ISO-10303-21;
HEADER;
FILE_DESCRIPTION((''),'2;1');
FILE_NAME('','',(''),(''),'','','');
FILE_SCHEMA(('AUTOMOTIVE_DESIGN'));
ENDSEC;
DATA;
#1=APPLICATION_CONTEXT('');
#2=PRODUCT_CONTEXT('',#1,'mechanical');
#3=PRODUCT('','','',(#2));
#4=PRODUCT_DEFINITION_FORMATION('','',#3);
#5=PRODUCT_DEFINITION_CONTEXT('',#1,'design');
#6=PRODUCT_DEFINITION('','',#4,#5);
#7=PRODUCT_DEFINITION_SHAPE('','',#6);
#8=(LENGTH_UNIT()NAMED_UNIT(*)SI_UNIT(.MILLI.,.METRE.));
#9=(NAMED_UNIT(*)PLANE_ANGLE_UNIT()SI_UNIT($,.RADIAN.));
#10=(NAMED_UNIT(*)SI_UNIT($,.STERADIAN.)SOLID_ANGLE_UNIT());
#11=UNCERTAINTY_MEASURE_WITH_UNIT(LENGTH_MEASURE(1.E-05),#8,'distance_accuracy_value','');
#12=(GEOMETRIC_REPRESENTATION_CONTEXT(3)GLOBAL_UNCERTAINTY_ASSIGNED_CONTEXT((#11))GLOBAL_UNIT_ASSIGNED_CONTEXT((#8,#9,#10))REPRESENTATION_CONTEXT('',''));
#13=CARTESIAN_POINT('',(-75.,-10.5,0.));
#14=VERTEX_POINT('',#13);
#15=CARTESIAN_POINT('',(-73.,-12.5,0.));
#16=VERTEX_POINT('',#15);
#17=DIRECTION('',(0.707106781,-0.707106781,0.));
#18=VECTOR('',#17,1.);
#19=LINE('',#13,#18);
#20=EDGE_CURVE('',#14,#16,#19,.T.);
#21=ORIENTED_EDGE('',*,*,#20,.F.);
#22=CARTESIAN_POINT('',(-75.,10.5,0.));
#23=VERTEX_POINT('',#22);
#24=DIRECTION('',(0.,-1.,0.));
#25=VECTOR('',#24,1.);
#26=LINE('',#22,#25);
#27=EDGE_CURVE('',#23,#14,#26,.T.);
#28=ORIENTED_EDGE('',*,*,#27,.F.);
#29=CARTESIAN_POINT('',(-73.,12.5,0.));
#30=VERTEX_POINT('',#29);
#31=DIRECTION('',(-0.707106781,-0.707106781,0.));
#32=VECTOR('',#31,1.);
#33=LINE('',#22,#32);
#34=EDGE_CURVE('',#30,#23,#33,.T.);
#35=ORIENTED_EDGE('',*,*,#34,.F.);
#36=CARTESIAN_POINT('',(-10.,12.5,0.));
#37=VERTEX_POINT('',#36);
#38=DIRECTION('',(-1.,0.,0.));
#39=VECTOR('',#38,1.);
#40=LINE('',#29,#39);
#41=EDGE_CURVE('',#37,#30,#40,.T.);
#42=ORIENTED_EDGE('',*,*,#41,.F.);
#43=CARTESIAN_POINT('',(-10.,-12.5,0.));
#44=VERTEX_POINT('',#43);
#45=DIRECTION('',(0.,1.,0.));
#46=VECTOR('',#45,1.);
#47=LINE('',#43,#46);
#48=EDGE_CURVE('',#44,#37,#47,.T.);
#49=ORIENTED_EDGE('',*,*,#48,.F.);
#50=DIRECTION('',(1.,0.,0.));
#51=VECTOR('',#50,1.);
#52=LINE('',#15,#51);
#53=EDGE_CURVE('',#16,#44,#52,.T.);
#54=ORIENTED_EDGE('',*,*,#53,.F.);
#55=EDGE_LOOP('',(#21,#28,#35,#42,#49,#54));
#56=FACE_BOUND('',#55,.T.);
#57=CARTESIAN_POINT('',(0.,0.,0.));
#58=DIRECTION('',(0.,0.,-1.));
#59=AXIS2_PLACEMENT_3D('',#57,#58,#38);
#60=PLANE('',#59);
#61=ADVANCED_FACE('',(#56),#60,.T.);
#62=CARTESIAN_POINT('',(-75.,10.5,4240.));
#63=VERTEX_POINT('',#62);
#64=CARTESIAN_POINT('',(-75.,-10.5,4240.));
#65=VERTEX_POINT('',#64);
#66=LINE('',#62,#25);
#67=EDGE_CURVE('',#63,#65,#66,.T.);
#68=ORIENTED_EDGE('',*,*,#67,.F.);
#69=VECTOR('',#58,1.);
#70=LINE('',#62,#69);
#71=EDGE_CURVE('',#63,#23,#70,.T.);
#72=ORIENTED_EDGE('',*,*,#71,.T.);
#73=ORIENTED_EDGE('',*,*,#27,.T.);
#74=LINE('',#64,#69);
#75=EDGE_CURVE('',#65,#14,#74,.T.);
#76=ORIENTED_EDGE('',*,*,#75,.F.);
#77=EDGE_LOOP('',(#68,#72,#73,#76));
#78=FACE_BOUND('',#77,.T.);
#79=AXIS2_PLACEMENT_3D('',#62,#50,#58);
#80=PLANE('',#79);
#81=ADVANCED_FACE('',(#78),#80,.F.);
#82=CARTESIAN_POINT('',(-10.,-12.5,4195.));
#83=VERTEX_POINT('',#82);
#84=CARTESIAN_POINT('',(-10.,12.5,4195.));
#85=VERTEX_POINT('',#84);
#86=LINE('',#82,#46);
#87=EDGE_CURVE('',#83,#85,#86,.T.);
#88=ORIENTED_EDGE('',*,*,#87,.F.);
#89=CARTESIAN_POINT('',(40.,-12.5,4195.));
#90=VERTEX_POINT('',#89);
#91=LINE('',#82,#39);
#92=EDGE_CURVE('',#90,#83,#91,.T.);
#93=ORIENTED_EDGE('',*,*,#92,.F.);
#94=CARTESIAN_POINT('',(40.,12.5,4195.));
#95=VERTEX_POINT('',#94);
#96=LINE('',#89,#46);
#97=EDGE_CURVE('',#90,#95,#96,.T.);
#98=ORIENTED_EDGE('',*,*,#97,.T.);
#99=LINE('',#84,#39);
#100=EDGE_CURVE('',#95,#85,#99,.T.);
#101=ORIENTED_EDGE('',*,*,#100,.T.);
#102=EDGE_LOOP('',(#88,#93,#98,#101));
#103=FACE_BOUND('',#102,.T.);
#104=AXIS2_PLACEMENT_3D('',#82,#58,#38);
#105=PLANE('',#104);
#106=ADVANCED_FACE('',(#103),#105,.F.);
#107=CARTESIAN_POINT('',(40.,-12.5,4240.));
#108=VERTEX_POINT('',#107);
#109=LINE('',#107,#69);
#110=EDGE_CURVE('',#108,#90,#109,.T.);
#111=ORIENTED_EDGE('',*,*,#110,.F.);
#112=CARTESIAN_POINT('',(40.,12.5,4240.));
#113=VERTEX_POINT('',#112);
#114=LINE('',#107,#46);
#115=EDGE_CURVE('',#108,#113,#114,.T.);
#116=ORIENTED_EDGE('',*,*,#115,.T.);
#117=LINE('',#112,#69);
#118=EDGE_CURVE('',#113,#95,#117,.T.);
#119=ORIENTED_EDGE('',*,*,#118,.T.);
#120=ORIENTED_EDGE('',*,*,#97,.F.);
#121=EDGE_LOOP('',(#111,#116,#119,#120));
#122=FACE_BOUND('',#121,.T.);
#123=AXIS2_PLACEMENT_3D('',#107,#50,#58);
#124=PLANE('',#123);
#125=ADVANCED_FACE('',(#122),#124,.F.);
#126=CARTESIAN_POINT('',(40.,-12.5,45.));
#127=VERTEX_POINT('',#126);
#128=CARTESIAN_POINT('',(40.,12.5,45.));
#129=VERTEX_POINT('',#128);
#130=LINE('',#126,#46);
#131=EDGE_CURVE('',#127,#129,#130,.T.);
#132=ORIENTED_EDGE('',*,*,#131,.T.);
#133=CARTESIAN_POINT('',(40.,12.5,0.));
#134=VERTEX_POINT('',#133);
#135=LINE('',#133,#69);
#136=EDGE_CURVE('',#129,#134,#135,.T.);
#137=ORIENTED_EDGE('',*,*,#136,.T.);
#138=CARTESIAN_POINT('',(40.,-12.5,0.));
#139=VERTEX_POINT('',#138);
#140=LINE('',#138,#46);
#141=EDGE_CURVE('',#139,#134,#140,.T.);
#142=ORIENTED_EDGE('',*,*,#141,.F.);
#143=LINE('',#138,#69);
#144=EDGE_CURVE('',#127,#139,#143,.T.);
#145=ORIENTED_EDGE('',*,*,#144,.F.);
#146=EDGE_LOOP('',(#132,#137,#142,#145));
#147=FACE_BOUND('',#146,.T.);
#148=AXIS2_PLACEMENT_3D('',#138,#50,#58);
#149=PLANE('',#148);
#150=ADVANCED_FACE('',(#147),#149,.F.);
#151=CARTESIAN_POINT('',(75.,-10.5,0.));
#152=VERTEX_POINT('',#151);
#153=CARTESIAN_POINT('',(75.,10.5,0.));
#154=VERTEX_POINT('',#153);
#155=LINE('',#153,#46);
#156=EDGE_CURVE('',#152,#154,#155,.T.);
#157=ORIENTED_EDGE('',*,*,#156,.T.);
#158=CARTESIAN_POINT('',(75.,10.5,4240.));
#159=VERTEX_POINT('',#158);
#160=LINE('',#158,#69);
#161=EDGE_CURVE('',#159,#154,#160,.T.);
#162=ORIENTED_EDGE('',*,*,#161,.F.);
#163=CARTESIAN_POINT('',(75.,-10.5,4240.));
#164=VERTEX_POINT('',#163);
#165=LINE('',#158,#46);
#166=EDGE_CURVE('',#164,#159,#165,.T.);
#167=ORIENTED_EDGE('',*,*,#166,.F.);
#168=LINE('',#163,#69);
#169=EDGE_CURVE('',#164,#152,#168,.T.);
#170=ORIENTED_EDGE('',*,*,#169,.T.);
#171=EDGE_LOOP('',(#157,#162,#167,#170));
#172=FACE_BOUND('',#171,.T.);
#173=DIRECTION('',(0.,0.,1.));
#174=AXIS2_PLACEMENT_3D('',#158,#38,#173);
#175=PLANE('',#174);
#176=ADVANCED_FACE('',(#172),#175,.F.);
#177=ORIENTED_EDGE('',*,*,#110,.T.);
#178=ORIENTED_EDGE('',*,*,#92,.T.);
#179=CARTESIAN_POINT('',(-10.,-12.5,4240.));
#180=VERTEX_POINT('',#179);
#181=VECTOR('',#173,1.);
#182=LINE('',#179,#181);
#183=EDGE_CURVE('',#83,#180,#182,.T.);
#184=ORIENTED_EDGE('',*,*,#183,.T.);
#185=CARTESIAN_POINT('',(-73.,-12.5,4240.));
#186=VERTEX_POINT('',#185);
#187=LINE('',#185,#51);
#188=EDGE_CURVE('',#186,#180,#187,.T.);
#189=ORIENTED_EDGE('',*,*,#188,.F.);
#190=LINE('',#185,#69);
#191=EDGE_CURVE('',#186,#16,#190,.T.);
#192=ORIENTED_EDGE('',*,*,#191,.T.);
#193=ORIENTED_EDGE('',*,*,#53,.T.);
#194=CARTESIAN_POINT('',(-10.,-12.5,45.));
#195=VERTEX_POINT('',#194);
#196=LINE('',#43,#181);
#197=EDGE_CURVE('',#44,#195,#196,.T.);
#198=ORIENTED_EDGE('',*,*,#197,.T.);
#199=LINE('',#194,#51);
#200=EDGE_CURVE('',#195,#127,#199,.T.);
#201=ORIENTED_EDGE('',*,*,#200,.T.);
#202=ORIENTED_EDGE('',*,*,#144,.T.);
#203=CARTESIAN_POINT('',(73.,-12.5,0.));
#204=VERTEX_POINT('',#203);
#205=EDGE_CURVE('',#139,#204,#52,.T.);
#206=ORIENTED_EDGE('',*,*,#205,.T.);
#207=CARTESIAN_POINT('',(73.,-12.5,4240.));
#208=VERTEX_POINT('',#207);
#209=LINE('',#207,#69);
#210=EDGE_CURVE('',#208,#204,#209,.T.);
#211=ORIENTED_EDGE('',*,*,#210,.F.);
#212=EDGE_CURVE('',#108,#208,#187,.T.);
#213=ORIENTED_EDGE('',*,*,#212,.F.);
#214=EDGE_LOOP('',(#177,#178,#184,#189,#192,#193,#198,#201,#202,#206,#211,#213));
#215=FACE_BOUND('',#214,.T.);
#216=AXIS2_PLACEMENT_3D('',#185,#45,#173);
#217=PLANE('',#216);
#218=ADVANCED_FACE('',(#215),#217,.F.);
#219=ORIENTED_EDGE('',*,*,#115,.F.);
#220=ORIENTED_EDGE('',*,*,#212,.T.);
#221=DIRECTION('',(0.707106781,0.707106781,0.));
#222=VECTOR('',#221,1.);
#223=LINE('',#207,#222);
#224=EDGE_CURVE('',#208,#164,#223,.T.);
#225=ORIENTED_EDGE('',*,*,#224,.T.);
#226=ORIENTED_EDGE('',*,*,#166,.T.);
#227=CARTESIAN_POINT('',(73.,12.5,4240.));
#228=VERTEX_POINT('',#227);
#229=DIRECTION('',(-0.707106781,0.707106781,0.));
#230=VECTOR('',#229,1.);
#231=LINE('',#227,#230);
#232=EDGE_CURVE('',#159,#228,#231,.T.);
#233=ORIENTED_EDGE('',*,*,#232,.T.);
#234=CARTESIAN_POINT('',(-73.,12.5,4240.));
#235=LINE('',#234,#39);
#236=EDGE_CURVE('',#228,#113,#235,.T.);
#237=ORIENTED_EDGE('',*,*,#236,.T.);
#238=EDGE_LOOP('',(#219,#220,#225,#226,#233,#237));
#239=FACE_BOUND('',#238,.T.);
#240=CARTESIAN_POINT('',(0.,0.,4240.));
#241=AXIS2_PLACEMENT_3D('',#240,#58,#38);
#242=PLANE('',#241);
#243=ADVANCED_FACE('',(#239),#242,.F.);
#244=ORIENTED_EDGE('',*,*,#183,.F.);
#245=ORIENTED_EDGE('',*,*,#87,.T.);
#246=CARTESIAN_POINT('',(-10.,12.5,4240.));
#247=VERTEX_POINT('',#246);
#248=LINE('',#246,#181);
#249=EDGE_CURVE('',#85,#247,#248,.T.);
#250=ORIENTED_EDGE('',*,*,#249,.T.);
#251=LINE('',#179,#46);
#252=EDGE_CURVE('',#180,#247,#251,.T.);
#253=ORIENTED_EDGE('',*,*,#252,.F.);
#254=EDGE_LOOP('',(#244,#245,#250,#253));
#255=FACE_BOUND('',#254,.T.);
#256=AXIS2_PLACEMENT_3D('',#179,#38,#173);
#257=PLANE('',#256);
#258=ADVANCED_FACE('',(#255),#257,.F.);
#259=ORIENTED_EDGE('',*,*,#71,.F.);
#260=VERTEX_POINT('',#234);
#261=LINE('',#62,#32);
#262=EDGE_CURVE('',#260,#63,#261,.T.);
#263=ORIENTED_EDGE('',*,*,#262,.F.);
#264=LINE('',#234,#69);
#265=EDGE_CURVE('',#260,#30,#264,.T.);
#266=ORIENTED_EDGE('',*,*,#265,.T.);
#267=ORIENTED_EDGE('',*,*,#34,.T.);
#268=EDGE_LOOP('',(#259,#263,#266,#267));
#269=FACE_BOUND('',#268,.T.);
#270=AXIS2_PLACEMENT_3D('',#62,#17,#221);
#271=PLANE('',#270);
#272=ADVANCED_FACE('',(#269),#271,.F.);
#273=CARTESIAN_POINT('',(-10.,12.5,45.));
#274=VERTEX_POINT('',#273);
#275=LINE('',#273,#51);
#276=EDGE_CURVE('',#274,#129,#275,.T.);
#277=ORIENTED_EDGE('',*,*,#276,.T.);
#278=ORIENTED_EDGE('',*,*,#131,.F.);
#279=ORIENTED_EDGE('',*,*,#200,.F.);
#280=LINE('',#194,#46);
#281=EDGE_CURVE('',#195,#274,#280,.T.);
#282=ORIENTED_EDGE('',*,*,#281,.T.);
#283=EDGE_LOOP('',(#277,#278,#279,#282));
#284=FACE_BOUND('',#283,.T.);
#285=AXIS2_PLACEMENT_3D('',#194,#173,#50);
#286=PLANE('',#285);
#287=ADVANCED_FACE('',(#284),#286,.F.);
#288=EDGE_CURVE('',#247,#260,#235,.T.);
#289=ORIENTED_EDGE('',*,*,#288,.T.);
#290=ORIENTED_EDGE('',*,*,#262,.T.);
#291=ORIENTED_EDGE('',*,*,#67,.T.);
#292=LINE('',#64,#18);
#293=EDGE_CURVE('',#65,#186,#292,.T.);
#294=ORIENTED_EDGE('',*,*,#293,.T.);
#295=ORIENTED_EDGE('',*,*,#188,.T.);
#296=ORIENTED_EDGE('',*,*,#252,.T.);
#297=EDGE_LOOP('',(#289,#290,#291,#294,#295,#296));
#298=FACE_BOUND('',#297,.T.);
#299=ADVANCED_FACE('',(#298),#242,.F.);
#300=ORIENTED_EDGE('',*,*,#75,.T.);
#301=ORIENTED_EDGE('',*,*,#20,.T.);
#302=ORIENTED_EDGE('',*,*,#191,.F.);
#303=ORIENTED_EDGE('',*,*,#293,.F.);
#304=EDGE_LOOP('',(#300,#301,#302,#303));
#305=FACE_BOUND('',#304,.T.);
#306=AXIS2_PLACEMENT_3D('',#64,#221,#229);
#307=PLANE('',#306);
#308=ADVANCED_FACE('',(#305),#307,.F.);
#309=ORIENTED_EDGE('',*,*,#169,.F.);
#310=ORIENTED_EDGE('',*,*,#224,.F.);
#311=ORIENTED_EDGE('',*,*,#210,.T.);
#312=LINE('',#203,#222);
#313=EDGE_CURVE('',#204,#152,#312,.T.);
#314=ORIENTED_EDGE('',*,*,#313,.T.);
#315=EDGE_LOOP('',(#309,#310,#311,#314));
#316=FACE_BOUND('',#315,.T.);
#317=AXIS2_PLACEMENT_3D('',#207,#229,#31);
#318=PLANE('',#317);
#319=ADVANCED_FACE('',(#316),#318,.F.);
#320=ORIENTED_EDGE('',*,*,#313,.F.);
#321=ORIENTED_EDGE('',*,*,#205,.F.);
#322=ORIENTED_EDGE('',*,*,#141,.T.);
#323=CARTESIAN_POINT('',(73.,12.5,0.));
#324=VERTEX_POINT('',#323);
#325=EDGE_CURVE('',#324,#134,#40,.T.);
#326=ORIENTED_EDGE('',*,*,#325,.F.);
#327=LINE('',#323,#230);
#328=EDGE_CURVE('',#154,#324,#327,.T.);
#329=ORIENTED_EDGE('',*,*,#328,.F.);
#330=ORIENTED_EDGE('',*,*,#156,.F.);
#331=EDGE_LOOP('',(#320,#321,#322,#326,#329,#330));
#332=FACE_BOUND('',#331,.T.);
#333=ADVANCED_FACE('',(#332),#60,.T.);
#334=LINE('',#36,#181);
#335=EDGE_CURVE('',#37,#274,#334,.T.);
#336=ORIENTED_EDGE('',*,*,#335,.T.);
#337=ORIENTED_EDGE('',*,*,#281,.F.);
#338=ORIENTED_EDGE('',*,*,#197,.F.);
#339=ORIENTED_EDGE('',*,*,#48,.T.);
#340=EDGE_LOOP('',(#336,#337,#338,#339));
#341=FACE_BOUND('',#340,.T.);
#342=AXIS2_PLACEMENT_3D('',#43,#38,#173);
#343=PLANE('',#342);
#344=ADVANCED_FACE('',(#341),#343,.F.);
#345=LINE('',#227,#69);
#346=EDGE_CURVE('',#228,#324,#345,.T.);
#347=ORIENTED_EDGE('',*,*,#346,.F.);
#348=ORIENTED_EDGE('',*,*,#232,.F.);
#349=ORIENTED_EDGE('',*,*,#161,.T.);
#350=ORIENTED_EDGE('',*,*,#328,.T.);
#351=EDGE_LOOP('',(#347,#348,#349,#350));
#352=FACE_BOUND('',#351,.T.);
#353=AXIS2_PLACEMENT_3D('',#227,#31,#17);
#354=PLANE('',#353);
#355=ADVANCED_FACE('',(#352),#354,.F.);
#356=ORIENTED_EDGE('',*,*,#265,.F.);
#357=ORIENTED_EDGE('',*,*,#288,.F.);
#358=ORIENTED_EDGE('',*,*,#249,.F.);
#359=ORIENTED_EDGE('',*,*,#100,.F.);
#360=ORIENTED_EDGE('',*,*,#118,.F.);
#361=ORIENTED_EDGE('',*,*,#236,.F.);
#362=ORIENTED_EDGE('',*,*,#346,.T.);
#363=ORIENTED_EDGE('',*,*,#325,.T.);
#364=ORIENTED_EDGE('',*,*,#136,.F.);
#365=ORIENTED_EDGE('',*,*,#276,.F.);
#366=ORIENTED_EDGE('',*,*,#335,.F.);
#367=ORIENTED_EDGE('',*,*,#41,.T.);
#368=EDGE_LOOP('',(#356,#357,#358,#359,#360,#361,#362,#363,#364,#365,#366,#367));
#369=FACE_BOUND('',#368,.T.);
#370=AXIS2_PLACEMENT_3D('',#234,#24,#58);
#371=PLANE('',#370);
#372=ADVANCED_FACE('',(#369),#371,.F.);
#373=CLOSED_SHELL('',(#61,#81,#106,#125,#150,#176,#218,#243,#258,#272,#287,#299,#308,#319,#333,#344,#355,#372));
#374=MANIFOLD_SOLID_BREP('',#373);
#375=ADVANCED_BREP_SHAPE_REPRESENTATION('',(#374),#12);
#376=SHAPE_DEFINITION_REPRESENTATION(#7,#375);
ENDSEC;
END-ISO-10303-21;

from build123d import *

# Parameters (mm, degrees)
EXTRUDE_1_DEPTH     = 4240
SKETCH_2_W          = 50
SKETCH_2_H          = 45
CUT_EXTRUDE_1_DEPTH = 4241.736964255


with BuildPart() as part:
    # Эскиз1 → Бобышка-Вытянуть1 (new body)
    with BuildSketch(Plane.XY):
        Polygon((-75, 10.5), (-73, 12.5), (73, 12.5), (75, 10.5), (75, -10.5), (73, -12.5), (-73, -12.5), (-75, -10.5), align=None)
    extrude(amount=EXTRUDE_1_DEPTH)

    # Эскиз2 → Вырез-Вытянуть1 (cut, through all)
    with BuildSketch(Plane(origin=(0, 12.5, 0), x_dir=(1, 0, 0), z_dir=(0, 1, 0))):
        with Locations((15, -22.5)):
            Rectangle(SKETCH_2_W, SKETCH_2_H)
        with Locations((15, -4217.5)):
            Rectangle(SKETCH_2_W, SKETCH_2_H)
    extrude(amount=-CUT_EXTRUDE_1_DEPTH, mode=Mode.SUBTRACT)


solid = part.part
